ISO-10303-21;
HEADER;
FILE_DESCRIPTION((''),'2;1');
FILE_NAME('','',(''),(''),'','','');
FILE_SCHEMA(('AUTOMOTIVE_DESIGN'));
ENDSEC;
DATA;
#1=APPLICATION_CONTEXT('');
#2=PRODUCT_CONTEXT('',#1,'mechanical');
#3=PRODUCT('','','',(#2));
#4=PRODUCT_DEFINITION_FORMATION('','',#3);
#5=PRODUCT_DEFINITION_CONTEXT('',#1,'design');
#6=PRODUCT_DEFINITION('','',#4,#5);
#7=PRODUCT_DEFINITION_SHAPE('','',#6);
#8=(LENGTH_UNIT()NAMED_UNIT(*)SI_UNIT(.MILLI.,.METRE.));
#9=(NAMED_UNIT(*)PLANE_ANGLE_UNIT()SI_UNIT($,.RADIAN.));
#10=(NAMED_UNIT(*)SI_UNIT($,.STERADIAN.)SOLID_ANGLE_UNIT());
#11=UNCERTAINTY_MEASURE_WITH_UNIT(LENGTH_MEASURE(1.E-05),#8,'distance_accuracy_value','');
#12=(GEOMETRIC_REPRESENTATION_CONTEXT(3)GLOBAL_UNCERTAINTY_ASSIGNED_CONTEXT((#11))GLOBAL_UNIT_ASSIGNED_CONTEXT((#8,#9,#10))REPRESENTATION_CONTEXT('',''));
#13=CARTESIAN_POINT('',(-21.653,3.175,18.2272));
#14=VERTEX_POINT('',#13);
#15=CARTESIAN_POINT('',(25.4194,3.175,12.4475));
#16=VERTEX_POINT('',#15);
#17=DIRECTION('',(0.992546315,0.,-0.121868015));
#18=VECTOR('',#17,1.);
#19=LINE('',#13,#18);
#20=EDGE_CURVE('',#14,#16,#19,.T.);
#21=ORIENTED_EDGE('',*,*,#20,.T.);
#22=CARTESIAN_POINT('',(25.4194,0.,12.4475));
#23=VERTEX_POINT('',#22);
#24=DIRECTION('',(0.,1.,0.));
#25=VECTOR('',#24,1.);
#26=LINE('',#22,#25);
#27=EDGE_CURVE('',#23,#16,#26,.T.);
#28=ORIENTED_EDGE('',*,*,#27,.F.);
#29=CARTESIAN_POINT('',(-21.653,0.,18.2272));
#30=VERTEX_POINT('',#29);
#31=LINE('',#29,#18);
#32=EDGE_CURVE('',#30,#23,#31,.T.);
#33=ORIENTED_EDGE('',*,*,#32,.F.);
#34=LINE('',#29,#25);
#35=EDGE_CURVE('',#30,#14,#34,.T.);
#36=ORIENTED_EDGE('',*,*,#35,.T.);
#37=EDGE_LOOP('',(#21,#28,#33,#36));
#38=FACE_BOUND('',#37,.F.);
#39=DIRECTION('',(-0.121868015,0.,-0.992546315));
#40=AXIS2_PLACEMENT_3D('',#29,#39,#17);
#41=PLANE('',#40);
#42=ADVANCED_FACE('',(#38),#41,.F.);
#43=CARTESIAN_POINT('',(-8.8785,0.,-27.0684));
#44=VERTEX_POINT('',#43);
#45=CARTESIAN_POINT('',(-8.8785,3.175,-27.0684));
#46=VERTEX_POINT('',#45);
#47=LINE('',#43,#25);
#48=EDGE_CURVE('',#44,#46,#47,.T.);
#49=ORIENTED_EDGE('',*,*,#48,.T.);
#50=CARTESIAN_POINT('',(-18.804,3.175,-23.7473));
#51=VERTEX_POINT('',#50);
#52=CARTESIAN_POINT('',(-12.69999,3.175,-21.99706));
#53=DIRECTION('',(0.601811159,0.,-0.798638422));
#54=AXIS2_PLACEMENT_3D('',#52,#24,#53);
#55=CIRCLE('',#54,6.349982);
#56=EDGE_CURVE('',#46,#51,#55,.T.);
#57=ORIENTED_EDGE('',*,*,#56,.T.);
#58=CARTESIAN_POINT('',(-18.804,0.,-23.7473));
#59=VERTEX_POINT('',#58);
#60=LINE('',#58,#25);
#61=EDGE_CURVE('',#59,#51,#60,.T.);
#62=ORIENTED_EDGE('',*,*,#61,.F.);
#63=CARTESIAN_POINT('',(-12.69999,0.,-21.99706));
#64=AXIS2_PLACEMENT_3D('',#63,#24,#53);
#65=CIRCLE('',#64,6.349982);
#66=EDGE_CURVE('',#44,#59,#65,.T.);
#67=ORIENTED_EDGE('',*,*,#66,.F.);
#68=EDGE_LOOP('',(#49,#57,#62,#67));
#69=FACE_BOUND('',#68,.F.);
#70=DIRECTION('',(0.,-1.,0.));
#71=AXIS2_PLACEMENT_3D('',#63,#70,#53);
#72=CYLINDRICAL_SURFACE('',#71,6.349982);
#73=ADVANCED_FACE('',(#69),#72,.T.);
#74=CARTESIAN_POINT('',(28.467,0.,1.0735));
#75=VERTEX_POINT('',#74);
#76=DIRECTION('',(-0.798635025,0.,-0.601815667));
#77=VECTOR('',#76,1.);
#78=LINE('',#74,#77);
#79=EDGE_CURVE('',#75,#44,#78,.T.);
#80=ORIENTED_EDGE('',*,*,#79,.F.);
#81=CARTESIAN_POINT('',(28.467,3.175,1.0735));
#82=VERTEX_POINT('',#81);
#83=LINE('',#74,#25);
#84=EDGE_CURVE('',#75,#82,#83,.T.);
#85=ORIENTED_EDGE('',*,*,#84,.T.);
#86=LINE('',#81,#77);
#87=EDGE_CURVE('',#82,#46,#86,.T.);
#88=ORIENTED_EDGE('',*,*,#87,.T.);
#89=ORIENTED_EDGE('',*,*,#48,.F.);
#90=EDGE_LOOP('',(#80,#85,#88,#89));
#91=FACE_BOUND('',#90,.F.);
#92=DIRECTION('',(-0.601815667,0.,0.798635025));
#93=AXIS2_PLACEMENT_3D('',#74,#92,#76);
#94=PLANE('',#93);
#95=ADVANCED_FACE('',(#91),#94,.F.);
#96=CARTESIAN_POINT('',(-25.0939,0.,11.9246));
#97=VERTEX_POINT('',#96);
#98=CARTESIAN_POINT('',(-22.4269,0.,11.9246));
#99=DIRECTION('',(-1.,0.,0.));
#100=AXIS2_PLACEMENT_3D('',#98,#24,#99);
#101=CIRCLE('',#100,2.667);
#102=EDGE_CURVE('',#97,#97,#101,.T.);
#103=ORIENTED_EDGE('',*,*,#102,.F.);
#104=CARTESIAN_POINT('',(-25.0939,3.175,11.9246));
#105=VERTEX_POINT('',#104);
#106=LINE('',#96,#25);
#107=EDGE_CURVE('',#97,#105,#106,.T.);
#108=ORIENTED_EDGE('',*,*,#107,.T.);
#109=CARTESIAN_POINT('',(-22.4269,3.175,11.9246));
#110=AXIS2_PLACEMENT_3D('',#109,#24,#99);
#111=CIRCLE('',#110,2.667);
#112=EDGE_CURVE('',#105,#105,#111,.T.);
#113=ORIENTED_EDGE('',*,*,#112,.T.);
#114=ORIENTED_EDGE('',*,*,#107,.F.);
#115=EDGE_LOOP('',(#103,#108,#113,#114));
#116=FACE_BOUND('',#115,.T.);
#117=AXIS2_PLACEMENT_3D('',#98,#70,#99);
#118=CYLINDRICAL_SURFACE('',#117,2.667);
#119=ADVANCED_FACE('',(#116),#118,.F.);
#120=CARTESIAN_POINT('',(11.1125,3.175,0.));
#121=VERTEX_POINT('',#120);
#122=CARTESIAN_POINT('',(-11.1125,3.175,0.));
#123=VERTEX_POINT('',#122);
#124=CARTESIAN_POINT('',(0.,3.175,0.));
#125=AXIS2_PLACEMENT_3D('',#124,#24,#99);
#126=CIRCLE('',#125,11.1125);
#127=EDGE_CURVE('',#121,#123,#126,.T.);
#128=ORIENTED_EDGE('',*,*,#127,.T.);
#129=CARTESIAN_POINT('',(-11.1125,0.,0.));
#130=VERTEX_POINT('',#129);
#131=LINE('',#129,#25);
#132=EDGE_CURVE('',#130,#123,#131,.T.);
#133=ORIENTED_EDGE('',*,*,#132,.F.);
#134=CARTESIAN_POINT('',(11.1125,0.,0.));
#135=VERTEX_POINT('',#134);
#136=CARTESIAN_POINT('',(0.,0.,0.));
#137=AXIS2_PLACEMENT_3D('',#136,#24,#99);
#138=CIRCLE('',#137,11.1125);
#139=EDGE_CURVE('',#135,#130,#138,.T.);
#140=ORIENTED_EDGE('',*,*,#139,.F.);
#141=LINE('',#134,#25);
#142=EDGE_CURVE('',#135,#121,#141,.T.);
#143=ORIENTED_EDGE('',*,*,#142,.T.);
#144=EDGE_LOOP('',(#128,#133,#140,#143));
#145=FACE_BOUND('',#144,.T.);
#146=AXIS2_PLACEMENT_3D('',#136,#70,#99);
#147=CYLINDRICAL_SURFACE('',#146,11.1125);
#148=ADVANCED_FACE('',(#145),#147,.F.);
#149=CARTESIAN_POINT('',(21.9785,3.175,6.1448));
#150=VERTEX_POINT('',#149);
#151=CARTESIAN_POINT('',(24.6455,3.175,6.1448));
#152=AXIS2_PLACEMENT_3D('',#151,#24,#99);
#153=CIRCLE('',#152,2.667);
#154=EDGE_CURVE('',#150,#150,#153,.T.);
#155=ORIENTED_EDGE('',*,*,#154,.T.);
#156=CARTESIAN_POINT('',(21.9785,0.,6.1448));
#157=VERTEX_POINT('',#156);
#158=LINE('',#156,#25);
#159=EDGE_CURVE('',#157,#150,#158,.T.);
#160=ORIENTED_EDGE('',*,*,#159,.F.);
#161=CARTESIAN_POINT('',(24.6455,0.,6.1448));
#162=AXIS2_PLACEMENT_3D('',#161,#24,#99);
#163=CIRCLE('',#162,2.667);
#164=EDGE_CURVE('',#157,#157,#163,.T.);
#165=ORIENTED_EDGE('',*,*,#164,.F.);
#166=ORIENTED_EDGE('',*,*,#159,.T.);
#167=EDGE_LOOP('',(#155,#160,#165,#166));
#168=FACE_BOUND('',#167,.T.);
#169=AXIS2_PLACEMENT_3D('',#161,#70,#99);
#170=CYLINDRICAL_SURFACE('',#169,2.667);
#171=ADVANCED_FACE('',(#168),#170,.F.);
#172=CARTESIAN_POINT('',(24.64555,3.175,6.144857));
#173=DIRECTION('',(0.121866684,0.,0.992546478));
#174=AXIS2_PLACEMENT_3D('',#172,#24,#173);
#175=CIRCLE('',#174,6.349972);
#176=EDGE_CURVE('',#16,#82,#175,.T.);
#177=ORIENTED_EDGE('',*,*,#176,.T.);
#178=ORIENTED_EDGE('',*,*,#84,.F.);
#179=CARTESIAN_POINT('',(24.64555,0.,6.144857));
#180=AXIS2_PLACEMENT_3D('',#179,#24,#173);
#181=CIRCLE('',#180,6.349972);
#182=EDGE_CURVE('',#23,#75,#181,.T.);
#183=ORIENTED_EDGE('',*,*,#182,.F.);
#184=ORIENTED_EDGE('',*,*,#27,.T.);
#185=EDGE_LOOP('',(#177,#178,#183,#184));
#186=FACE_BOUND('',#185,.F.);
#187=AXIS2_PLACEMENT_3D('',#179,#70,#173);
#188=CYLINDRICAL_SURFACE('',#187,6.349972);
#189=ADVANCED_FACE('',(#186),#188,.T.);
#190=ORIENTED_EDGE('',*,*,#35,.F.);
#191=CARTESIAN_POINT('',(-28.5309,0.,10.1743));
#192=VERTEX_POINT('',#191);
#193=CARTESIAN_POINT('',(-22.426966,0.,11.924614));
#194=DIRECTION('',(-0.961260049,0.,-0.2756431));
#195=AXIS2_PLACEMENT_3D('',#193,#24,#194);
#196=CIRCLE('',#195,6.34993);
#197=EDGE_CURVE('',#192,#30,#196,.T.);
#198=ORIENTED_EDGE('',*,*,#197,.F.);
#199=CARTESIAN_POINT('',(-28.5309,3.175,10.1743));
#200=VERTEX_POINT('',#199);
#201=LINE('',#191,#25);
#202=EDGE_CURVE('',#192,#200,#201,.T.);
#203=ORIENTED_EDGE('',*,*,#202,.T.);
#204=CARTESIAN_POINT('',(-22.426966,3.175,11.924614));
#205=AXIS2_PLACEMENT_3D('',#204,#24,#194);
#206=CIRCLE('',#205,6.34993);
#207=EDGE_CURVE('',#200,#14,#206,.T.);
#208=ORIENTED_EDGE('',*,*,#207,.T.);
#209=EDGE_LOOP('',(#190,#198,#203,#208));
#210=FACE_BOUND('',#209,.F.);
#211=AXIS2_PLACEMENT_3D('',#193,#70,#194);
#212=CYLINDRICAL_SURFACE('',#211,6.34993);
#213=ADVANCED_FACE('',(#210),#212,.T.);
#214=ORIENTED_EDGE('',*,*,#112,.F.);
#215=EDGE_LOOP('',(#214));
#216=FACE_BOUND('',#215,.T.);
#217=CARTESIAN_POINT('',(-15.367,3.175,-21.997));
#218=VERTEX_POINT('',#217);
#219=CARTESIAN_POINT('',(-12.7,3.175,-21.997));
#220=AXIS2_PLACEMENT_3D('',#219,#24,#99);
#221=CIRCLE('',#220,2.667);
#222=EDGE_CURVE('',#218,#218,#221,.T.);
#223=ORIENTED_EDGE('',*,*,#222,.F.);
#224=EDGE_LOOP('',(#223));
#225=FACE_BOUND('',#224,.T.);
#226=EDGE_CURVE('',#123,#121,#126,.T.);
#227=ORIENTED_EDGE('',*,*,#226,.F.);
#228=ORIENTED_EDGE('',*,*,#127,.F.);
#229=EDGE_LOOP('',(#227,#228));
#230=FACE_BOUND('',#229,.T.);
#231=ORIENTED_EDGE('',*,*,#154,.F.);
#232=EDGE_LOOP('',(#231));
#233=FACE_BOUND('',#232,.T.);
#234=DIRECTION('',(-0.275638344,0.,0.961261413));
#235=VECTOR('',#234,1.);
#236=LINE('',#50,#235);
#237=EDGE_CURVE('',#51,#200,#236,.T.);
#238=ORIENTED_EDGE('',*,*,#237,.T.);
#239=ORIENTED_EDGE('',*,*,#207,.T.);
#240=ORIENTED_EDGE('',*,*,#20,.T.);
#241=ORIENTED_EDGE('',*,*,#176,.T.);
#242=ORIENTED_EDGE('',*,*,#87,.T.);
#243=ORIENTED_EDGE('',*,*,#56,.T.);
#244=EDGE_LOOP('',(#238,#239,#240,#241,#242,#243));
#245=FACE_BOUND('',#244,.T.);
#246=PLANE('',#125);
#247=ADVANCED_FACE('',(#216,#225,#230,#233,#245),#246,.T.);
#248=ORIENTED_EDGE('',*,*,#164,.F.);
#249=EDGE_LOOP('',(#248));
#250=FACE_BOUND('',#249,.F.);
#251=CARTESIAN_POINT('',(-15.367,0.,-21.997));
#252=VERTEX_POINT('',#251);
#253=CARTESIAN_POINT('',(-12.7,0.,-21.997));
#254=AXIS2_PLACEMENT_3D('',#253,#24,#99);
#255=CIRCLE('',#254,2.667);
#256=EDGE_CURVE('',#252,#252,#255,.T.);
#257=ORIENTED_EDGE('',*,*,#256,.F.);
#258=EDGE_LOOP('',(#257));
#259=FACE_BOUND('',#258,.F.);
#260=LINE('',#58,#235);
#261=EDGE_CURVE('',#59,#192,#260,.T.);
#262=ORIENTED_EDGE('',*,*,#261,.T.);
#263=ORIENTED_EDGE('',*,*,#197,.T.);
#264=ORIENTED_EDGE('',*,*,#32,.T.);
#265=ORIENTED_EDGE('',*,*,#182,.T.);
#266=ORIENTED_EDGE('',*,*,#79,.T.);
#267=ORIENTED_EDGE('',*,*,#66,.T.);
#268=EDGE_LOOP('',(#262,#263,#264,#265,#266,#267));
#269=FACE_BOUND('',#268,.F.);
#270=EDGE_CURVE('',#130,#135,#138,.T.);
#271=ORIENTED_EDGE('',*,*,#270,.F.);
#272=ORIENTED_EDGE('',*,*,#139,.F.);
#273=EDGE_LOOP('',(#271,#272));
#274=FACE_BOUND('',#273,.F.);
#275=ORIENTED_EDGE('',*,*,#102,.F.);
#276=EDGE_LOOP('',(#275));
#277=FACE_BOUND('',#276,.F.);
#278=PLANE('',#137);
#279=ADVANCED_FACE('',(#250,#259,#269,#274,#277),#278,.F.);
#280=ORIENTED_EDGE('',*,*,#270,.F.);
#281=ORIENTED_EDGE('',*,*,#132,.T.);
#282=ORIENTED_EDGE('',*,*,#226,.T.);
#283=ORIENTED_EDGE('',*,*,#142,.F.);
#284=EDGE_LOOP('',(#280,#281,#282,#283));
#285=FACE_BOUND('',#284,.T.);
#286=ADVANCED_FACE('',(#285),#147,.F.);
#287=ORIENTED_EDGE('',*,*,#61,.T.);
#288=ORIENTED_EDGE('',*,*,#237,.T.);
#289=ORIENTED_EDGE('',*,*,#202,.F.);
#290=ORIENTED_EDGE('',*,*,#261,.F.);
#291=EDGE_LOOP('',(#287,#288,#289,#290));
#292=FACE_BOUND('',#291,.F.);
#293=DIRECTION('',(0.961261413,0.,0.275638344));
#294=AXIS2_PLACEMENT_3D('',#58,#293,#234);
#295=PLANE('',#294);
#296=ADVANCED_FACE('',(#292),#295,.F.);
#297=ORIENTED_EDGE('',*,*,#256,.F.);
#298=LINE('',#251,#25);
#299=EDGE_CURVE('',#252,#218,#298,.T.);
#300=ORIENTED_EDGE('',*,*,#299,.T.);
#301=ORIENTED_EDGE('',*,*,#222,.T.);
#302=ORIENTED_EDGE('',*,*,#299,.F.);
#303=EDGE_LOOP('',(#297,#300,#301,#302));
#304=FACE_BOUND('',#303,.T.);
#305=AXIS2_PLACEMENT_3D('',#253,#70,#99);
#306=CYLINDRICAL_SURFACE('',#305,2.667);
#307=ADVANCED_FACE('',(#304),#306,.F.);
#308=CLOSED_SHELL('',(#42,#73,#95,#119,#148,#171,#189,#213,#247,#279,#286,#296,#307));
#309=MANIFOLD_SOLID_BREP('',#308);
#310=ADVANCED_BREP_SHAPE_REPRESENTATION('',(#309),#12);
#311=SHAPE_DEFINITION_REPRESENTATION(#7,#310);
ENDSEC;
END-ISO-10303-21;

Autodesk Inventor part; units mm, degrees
ref_plane "YZ Plane" through (0, 0, 0) normal (1, 0, 0) x (0, 1, 0)
ref_plane "XZ Plane" through (0, 0, 0) normal (0, 1, 0) x (-1, 0, 0)
ref_plane "XY Plane" through (0, 0, 0) normal (0, 0, 1) x (1, 0, 0)
sketch "Sketch1" plane through (0, 0, 0) normal (0, 1, 0) x (-1, 0, 0)
  circle A0 centre (0, 0) radius 11.1125
  line L0 (12.7, -21.997) -> (0, 0) construction
  line L1 (0, 0) -> (22.4269, 11.9246) construction
  line L2 (0, 0) -> (-24.6455, 6.1448) construction
  line L3 (0, 0) -> (-14.4094, 0)
  arc A1 (28.5309, 10.1743) -> (21.653, 18.2272) centre (22.4269, 11.9246) ccw
  arc A2 (8.8785, -27.0684) -> (18.804, -23.7473) centre (12.7, -21.997) ccw
  arc A3 (-25.4194, 12.4475) -> (-28.467, 1.0735) centre (-24.6455, 6.1448) ccw
  line L4 (21.653, 18.2272) -> (-25.4194, 12.4475)
  line L5 (-28.467, 1.0735) -> (8.8785, -27.0684)
  line L6 (18.804, -23.7473) -> (28.5309, 10.1743)
  circle A4 centre (22.4269, 11.9246) radius 2.667
  circle A5 centre (12.7, -21.997) radius 2.667
  circle A6 centre (-24.6455, 6.1448) radius 2.667
  dimension "d0" = 22.225
  dimension "d1" = 25.4
  dimension "d2" = 25.4
  dimension "d3" = 25.4
  dimension "d4" = 14
  dimension "d5" = 28
  dimension "d6" = 60
  dimension "d7" = 6.35
  dimension "d8" = 5.334
extrude "Plate1" add sketch "Sketch1" along normal blind 3.175
equation "\"d9\" = Thickness"
equation "\"d2\" = d1"
equation "\"d3\" = d1"
equation "\"BendRadius\" = Thickness"
equation "\"BendReliefWidth\" = Thickness"
equation "\"BendReliefDepth\" = 0.5 * Thickness"
equation "\"CornerReliefSize\" = 4 * Thickness"
equation "\"MinimumRemnant\" = 2 * Thickness"
equation "\"TransitionRadius\" = BendRadius"
equation "\"JacobiRadiusSize\" = BendRadius"
equation "\"GapSize\" = Thickness"
equation "\"Thickness\" = 3.175"
properties part number "PLATE,BELT,REVERSER" material "Aluminum 6061"
